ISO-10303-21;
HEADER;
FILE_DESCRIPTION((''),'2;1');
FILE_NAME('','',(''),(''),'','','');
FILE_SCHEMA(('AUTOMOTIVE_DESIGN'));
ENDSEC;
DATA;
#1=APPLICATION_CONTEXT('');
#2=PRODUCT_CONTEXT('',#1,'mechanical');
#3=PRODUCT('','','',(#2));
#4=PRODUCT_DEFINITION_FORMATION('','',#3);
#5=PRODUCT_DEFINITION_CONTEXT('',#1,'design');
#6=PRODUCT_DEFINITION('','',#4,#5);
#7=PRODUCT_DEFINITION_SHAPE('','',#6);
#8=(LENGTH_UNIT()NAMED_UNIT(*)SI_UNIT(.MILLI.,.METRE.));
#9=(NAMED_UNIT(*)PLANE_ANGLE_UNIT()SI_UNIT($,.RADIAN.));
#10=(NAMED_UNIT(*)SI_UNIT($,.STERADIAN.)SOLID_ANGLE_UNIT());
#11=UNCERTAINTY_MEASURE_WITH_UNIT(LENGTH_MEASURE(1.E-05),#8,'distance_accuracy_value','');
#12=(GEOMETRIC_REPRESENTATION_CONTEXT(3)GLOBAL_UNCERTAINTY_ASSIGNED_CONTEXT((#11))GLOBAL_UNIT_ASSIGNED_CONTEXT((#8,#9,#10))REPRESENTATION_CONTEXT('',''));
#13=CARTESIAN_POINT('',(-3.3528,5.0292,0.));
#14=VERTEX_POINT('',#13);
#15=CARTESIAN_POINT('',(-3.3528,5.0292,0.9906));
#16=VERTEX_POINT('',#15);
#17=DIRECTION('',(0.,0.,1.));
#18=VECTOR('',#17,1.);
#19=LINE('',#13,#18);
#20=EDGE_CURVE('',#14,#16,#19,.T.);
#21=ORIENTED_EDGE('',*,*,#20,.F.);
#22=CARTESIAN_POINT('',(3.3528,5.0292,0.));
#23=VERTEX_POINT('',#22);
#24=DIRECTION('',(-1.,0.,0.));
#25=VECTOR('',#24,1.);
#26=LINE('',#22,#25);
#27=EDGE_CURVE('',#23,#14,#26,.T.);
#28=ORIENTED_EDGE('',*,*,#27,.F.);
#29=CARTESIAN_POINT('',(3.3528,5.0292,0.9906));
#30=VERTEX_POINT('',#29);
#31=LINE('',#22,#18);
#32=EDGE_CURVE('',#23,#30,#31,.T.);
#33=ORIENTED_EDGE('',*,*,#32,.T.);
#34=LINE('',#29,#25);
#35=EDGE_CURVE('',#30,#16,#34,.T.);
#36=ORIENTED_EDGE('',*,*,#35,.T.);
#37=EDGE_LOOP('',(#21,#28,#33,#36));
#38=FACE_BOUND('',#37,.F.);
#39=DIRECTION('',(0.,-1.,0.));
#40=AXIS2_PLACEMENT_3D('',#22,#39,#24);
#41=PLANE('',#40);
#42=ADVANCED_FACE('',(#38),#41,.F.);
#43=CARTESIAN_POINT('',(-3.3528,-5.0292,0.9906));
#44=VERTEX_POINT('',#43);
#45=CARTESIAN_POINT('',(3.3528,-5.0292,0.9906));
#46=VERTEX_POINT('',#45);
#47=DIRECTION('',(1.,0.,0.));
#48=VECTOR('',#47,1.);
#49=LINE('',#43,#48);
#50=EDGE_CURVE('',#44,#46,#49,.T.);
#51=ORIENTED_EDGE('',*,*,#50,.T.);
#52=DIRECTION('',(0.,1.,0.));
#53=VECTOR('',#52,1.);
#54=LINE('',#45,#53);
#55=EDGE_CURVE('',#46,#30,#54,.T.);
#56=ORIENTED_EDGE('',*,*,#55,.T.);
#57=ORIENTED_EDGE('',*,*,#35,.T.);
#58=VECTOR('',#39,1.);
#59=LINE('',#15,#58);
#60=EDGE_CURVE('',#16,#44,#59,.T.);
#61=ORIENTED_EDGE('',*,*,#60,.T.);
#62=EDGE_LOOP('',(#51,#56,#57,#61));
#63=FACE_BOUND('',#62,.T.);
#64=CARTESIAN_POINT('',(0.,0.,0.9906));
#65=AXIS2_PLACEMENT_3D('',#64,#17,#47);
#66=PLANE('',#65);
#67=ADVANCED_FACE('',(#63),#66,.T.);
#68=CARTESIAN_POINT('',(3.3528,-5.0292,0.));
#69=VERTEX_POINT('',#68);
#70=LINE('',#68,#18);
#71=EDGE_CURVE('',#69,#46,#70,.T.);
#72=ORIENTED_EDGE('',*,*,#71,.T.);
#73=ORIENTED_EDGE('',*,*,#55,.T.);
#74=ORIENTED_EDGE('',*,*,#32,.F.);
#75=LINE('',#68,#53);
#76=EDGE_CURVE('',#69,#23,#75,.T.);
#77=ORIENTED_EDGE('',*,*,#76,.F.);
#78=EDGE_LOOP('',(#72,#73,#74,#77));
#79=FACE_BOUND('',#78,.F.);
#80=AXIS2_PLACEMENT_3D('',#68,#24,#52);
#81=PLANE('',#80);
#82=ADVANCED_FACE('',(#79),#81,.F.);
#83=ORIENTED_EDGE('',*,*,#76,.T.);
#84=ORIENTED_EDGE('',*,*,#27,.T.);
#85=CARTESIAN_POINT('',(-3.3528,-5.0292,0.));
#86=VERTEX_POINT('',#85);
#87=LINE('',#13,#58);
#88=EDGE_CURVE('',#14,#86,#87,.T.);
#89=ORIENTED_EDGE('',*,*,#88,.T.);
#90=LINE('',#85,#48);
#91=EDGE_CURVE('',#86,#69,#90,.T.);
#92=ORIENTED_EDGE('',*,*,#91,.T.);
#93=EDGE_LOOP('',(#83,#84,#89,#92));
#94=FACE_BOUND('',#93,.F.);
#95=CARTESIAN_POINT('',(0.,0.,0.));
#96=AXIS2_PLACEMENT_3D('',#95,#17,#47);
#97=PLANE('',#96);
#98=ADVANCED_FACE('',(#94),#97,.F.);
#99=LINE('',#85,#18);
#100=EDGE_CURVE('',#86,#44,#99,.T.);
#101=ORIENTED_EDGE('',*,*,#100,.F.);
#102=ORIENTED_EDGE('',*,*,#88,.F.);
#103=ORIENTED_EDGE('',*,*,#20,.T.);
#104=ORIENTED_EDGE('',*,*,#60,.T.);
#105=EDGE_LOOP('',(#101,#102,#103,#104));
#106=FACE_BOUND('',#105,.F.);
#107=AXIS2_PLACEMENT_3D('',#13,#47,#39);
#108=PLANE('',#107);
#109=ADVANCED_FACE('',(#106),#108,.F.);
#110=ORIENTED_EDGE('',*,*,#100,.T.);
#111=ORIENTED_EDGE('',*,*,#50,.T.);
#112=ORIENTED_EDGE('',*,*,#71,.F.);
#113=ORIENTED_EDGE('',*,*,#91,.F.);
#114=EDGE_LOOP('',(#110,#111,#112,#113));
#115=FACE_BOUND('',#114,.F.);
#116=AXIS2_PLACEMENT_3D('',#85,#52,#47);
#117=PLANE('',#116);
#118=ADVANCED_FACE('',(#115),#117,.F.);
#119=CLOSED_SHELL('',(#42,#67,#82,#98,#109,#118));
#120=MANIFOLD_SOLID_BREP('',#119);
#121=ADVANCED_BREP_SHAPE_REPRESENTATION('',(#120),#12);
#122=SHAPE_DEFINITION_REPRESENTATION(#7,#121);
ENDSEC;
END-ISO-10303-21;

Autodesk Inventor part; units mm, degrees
ref_plane "YZ Plane" through (0, 0, 0) normal (1, 0, 0) x (0, 1, 0)
ref_plane "XZ Plane" through (0, 0, 0) normal (0, 1, 0) x (-1, 0, 0)
ref_plane "XY Plane" through (0, 0, 0) normal (0, 0, 1) x (1, 0, 0)
sketch "SOIC16-N_MC, MCP3208-XX_SL_1" plane through (0, 0, 0) normal (0, 0, 1) x (1, 0, 0)
  line L0 (-3.3528, -5.0292) -> (3.3528, -5.0292)
  line L1 (3.3528, -5.0292) -> (3.3528, 5.0292)
  line L2 (3.3528, 5.0292) -> (-3.3528, 5.0292)
  line L3 (-3.3528, 5.0292) -> (-3.3528, -5.0292)
extrude "Extrusion1" add sketch "SOIC16-N_MC, MCP3208-XX_SL_1" along normal blind 0.9906
properties part number "MCP3208-XX_SL"
